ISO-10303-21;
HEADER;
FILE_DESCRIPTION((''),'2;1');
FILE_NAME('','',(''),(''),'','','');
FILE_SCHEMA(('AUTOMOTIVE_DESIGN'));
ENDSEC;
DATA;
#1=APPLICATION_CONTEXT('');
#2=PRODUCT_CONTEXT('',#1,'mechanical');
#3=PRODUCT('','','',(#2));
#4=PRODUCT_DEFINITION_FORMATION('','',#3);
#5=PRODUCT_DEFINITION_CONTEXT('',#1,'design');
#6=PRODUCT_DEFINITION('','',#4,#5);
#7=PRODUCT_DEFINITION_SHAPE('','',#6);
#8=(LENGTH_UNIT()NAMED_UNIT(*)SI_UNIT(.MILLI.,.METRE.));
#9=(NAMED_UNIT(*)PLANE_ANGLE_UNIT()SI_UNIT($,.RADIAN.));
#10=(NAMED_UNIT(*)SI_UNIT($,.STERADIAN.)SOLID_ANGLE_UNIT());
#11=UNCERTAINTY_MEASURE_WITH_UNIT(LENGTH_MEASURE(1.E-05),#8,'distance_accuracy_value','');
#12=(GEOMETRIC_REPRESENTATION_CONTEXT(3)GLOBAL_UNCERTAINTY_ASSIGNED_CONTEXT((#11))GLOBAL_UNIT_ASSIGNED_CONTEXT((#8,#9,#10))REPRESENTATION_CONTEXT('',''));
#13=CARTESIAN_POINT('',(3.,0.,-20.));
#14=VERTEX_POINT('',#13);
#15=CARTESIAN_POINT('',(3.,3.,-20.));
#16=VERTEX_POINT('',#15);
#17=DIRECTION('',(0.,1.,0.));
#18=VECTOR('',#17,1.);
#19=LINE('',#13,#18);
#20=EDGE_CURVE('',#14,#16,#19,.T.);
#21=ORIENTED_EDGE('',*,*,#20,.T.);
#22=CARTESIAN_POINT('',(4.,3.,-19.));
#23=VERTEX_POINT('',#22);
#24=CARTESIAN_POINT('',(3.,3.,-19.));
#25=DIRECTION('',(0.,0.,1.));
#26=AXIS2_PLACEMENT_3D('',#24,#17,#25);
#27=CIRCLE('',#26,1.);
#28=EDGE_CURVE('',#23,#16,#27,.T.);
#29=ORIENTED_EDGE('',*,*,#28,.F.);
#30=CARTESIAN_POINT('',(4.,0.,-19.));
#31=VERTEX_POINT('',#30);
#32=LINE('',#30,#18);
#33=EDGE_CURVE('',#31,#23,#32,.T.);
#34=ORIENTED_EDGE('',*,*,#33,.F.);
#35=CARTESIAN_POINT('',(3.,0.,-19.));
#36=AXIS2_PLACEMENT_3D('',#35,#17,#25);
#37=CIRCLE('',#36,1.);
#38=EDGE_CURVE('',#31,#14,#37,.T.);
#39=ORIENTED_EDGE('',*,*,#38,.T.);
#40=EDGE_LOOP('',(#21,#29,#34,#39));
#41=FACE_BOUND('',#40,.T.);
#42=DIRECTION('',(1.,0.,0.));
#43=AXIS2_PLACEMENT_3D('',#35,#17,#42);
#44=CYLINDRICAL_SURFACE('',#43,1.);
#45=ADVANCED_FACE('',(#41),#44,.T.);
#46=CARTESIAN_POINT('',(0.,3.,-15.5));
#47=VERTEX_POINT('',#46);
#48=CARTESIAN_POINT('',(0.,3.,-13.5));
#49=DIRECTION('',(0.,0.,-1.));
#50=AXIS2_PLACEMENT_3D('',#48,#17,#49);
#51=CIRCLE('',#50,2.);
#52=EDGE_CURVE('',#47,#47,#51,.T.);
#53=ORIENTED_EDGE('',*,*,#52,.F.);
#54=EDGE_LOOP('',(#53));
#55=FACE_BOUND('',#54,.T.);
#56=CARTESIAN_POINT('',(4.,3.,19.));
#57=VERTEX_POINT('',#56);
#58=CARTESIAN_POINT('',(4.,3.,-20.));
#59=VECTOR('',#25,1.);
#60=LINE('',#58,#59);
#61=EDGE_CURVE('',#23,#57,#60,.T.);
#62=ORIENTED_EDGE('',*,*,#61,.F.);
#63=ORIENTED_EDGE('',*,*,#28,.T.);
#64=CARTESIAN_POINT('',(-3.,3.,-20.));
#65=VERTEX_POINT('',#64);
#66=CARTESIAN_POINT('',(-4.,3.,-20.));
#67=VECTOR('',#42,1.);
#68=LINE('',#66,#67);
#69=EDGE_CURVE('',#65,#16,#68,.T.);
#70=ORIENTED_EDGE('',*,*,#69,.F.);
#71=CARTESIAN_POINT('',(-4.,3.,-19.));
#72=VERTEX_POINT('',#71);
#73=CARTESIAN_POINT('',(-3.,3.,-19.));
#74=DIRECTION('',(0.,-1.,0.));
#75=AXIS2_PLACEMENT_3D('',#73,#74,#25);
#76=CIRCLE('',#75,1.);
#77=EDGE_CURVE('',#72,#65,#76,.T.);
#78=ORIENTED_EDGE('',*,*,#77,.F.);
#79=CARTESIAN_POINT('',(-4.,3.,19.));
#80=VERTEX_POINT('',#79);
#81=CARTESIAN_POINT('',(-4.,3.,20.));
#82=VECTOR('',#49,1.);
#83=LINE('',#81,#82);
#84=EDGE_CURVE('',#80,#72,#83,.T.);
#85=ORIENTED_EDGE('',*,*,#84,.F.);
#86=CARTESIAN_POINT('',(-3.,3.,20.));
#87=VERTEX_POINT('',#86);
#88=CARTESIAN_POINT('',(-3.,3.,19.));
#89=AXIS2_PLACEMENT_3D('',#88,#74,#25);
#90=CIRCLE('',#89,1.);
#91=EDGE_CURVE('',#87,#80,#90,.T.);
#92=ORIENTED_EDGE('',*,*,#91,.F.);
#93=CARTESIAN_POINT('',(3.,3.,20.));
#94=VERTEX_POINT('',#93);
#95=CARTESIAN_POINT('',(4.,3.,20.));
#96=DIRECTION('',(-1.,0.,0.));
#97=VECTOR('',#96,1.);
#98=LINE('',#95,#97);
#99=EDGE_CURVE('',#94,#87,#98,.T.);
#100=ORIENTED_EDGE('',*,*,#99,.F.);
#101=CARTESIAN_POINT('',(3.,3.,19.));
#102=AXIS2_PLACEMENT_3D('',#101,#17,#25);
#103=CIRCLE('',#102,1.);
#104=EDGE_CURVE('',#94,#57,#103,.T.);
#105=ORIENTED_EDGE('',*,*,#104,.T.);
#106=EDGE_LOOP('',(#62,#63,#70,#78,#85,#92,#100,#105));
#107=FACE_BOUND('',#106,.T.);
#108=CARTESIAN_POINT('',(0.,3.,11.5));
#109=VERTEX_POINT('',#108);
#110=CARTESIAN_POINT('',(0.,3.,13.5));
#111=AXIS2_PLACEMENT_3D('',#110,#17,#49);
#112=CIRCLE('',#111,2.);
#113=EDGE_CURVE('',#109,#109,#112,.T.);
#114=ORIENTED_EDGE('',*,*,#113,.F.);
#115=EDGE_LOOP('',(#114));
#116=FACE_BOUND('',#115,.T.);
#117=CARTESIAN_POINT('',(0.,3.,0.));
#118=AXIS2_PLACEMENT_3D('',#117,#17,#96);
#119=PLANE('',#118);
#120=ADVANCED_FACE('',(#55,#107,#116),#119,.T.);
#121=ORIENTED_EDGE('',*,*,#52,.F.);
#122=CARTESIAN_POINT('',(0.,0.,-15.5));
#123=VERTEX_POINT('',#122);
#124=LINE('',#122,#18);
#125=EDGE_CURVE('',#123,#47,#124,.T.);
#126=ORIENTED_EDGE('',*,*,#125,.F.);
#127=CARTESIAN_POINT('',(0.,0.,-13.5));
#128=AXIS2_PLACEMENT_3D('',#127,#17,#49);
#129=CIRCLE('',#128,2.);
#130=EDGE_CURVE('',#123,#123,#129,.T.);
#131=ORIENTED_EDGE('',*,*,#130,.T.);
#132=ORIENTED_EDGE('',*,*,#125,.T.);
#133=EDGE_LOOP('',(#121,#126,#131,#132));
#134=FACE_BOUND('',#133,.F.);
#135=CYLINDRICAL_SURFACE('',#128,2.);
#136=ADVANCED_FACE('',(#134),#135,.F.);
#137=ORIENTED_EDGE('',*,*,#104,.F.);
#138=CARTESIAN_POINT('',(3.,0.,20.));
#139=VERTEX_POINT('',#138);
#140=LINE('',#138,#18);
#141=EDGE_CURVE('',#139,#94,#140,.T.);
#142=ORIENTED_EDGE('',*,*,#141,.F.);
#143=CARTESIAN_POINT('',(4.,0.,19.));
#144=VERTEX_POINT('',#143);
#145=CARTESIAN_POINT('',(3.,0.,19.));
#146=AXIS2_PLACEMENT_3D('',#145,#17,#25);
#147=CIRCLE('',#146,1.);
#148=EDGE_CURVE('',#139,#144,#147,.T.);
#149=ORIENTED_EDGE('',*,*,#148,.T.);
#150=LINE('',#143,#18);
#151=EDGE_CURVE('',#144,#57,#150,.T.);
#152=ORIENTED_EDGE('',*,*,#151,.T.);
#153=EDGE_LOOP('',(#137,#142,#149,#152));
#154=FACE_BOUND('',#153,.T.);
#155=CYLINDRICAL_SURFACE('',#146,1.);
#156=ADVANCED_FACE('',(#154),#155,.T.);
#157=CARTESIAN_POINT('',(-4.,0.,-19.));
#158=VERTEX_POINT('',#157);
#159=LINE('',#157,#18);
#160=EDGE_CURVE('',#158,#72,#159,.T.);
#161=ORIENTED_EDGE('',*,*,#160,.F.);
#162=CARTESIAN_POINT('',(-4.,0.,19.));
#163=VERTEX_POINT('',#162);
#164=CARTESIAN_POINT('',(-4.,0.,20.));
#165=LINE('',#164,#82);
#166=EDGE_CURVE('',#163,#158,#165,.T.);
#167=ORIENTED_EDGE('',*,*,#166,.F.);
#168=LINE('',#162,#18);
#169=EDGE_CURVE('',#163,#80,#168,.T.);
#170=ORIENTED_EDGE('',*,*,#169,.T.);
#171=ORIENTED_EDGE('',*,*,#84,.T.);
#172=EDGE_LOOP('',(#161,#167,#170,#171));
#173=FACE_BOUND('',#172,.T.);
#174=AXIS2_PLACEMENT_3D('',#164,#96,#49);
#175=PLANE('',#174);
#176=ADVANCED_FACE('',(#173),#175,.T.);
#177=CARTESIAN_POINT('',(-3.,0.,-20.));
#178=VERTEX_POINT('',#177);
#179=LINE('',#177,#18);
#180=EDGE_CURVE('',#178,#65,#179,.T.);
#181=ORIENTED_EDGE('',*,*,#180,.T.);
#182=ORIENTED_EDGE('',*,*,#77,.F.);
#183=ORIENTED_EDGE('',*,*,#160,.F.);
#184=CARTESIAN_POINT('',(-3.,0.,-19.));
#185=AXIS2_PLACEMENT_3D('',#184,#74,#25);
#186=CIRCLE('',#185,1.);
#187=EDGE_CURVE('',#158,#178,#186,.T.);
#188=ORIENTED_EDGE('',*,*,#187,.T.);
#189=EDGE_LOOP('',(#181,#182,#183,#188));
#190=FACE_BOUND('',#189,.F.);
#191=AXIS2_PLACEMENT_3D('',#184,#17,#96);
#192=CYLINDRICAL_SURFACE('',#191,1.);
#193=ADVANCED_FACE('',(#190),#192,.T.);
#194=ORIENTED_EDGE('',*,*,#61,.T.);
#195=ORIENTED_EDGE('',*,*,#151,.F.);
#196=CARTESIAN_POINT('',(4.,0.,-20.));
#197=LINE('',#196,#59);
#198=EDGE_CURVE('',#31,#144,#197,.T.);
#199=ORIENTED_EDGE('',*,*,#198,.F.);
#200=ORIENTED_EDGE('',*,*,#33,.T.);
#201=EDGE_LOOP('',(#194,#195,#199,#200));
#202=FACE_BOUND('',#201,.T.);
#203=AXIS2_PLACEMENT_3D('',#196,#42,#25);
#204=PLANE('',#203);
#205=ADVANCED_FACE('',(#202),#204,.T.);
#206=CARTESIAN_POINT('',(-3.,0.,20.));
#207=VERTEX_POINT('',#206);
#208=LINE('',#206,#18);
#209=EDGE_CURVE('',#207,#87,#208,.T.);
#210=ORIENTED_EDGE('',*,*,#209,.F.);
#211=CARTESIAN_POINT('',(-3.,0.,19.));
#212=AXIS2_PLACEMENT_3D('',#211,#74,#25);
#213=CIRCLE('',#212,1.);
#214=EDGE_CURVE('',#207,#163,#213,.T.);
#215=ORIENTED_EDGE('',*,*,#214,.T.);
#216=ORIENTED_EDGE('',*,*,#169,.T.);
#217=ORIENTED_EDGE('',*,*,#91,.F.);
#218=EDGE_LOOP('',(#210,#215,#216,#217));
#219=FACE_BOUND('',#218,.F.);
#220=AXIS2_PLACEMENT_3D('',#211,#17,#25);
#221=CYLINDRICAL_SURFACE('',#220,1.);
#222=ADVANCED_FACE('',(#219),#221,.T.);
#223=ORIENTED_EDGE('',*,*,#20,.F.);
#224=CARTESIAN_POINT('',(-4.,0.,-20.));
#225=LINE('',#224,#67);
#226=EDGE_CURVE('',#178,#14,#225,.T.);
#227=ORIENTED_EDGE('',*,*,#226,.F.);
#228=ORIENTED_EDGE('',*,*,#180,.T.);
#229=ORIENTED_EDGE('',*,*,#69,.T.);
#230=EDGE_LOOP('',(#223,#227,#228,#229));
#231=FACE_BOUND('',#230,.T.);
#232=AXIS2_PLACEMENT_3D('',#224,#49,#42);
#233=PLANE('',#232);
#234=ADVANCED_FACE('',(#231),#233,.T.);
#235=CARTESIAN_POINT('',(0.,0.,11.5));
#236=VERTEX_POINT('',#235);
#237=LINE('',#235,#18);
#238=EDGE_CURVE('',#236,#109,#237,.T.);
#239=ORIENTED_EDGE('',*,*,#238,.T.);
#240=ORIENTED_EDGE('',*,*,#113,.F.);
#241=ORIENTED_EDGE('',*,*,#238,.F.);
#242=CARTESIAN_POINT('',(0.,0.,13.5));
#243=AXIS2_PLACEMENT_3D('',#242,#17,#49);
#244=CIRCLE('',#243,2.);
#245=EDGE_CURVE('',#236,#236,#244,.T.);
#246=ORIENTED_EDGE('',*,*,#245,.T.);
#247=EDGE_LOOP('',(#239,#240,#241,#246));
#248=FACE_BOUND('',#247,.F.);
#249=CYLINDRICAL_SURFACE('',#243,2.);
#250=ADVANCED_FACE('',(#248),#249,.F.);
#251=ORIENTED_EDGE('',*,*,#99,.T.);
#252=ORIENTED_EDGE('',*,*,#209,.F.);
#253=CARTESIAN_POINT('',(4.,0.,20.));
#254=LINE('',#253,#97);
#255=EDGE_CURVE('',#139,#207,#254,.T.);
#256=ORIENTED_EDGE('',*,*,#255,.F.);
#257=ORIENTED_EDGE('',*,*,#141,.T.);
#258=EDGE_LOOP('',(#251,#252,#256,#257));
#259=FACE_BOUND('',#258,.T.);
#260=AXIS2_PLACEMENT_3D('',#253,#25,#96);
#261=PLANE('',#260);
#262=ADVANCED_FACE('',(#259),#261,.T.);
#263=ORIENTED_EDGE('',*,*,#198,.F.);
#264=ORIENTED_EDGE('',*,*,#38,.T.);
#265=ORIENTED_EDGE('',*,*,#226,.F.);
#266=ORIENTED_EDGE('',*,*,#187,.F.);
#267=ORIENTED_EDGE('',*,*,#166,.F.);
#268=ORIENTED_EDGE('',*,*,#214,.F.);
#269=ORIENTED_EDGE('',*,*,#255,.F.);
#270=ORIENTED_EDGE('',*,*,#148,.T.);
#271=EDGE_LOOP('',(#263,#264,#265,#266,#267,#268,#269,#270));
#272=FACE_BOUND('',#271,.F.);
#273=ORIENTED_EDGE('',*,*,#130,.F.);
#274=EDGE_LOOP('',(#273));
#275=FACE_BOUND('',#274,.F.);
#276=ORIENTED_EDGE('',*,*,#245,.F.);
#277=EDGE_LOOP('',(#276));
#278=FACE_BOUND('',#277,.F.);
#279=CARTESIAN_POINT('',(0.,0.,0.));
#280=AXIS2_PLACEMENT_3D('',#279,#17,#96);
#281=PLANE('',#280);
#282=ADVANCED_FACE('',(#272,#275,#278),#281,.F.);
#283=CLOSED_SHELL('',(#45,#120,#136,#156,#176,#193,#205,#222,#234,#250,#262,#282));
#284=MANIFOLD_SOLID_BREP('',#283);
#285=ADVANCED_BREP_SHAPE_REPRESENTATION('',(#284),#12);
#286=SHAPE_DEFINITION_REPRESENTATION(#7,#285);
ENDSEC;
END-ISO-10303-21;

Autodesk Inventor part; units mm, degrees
ref_plane "YZ Plane" through (0, 0, 0) normal (1, 0, 0) x (0, 1, 0)
ref_plane "XZ Plane" through (0, 0, 0) normal (0, 1, 0) x (-1, 0, 0)
ref_plane "XY Plane" through (0, 0, 0) normal (0, 0, 1) x (1, 0, 0)
sketch "Sketch1" plane through (0, 0, 0) normal (0, 1, 0) x (-1, 0, 0)
  line L0 (-4, 20) -> (4, 20)
  line L1 (4, 20) -> (4, -20)
  line L2 (4, -20) -> (-4, -20)
  line L3 (-4, -20) -> (-4, 20)
  line L4 (-4, 20) -> (4, -20) construction
  line L5 (4, 20) -> (-4, -20) construction
  line L6 (0, -20) -> (0, -13.5) construction
  line L7 (0, 20) -> (0, 13.5) construction
  point P0 (0, 0)
  dimension "d0" = 40
  dimension "d1" = 6.5
  dimension "d2" = 8
extrude "Extrusion1" add sketch "Sketch1" along normal blind 3
hole "Hole1" at (0, 0, -13.5) at (0, 0, 13.5) direction (0, 1, 0) diameter 4 end through all
fillet "Fillet1" radius 1 4 edges at (4, 1.5, 20) (-4, 1.5, 20) (4, 1.5, -20) (-4, 1.5, -20)
equation "\"d0\" = gauge_length"
equation "\"d1\" = hole_2_border"
equation "\"d2\" = gauge_width"
equation "\"d3\" = gauge_thickness"
equation "\"d5\" = hole_diameter"
equation "\"gauge_length\" = 40"
equation "\"gauge_width\" = 8"
equation "\"gauge_thickness\" = 3"
equation "\"hole_diameter\" = 4"
equation "\"hole_2_border\" = 6.5"
properties part number "gauge" material "Stainless Steel"
